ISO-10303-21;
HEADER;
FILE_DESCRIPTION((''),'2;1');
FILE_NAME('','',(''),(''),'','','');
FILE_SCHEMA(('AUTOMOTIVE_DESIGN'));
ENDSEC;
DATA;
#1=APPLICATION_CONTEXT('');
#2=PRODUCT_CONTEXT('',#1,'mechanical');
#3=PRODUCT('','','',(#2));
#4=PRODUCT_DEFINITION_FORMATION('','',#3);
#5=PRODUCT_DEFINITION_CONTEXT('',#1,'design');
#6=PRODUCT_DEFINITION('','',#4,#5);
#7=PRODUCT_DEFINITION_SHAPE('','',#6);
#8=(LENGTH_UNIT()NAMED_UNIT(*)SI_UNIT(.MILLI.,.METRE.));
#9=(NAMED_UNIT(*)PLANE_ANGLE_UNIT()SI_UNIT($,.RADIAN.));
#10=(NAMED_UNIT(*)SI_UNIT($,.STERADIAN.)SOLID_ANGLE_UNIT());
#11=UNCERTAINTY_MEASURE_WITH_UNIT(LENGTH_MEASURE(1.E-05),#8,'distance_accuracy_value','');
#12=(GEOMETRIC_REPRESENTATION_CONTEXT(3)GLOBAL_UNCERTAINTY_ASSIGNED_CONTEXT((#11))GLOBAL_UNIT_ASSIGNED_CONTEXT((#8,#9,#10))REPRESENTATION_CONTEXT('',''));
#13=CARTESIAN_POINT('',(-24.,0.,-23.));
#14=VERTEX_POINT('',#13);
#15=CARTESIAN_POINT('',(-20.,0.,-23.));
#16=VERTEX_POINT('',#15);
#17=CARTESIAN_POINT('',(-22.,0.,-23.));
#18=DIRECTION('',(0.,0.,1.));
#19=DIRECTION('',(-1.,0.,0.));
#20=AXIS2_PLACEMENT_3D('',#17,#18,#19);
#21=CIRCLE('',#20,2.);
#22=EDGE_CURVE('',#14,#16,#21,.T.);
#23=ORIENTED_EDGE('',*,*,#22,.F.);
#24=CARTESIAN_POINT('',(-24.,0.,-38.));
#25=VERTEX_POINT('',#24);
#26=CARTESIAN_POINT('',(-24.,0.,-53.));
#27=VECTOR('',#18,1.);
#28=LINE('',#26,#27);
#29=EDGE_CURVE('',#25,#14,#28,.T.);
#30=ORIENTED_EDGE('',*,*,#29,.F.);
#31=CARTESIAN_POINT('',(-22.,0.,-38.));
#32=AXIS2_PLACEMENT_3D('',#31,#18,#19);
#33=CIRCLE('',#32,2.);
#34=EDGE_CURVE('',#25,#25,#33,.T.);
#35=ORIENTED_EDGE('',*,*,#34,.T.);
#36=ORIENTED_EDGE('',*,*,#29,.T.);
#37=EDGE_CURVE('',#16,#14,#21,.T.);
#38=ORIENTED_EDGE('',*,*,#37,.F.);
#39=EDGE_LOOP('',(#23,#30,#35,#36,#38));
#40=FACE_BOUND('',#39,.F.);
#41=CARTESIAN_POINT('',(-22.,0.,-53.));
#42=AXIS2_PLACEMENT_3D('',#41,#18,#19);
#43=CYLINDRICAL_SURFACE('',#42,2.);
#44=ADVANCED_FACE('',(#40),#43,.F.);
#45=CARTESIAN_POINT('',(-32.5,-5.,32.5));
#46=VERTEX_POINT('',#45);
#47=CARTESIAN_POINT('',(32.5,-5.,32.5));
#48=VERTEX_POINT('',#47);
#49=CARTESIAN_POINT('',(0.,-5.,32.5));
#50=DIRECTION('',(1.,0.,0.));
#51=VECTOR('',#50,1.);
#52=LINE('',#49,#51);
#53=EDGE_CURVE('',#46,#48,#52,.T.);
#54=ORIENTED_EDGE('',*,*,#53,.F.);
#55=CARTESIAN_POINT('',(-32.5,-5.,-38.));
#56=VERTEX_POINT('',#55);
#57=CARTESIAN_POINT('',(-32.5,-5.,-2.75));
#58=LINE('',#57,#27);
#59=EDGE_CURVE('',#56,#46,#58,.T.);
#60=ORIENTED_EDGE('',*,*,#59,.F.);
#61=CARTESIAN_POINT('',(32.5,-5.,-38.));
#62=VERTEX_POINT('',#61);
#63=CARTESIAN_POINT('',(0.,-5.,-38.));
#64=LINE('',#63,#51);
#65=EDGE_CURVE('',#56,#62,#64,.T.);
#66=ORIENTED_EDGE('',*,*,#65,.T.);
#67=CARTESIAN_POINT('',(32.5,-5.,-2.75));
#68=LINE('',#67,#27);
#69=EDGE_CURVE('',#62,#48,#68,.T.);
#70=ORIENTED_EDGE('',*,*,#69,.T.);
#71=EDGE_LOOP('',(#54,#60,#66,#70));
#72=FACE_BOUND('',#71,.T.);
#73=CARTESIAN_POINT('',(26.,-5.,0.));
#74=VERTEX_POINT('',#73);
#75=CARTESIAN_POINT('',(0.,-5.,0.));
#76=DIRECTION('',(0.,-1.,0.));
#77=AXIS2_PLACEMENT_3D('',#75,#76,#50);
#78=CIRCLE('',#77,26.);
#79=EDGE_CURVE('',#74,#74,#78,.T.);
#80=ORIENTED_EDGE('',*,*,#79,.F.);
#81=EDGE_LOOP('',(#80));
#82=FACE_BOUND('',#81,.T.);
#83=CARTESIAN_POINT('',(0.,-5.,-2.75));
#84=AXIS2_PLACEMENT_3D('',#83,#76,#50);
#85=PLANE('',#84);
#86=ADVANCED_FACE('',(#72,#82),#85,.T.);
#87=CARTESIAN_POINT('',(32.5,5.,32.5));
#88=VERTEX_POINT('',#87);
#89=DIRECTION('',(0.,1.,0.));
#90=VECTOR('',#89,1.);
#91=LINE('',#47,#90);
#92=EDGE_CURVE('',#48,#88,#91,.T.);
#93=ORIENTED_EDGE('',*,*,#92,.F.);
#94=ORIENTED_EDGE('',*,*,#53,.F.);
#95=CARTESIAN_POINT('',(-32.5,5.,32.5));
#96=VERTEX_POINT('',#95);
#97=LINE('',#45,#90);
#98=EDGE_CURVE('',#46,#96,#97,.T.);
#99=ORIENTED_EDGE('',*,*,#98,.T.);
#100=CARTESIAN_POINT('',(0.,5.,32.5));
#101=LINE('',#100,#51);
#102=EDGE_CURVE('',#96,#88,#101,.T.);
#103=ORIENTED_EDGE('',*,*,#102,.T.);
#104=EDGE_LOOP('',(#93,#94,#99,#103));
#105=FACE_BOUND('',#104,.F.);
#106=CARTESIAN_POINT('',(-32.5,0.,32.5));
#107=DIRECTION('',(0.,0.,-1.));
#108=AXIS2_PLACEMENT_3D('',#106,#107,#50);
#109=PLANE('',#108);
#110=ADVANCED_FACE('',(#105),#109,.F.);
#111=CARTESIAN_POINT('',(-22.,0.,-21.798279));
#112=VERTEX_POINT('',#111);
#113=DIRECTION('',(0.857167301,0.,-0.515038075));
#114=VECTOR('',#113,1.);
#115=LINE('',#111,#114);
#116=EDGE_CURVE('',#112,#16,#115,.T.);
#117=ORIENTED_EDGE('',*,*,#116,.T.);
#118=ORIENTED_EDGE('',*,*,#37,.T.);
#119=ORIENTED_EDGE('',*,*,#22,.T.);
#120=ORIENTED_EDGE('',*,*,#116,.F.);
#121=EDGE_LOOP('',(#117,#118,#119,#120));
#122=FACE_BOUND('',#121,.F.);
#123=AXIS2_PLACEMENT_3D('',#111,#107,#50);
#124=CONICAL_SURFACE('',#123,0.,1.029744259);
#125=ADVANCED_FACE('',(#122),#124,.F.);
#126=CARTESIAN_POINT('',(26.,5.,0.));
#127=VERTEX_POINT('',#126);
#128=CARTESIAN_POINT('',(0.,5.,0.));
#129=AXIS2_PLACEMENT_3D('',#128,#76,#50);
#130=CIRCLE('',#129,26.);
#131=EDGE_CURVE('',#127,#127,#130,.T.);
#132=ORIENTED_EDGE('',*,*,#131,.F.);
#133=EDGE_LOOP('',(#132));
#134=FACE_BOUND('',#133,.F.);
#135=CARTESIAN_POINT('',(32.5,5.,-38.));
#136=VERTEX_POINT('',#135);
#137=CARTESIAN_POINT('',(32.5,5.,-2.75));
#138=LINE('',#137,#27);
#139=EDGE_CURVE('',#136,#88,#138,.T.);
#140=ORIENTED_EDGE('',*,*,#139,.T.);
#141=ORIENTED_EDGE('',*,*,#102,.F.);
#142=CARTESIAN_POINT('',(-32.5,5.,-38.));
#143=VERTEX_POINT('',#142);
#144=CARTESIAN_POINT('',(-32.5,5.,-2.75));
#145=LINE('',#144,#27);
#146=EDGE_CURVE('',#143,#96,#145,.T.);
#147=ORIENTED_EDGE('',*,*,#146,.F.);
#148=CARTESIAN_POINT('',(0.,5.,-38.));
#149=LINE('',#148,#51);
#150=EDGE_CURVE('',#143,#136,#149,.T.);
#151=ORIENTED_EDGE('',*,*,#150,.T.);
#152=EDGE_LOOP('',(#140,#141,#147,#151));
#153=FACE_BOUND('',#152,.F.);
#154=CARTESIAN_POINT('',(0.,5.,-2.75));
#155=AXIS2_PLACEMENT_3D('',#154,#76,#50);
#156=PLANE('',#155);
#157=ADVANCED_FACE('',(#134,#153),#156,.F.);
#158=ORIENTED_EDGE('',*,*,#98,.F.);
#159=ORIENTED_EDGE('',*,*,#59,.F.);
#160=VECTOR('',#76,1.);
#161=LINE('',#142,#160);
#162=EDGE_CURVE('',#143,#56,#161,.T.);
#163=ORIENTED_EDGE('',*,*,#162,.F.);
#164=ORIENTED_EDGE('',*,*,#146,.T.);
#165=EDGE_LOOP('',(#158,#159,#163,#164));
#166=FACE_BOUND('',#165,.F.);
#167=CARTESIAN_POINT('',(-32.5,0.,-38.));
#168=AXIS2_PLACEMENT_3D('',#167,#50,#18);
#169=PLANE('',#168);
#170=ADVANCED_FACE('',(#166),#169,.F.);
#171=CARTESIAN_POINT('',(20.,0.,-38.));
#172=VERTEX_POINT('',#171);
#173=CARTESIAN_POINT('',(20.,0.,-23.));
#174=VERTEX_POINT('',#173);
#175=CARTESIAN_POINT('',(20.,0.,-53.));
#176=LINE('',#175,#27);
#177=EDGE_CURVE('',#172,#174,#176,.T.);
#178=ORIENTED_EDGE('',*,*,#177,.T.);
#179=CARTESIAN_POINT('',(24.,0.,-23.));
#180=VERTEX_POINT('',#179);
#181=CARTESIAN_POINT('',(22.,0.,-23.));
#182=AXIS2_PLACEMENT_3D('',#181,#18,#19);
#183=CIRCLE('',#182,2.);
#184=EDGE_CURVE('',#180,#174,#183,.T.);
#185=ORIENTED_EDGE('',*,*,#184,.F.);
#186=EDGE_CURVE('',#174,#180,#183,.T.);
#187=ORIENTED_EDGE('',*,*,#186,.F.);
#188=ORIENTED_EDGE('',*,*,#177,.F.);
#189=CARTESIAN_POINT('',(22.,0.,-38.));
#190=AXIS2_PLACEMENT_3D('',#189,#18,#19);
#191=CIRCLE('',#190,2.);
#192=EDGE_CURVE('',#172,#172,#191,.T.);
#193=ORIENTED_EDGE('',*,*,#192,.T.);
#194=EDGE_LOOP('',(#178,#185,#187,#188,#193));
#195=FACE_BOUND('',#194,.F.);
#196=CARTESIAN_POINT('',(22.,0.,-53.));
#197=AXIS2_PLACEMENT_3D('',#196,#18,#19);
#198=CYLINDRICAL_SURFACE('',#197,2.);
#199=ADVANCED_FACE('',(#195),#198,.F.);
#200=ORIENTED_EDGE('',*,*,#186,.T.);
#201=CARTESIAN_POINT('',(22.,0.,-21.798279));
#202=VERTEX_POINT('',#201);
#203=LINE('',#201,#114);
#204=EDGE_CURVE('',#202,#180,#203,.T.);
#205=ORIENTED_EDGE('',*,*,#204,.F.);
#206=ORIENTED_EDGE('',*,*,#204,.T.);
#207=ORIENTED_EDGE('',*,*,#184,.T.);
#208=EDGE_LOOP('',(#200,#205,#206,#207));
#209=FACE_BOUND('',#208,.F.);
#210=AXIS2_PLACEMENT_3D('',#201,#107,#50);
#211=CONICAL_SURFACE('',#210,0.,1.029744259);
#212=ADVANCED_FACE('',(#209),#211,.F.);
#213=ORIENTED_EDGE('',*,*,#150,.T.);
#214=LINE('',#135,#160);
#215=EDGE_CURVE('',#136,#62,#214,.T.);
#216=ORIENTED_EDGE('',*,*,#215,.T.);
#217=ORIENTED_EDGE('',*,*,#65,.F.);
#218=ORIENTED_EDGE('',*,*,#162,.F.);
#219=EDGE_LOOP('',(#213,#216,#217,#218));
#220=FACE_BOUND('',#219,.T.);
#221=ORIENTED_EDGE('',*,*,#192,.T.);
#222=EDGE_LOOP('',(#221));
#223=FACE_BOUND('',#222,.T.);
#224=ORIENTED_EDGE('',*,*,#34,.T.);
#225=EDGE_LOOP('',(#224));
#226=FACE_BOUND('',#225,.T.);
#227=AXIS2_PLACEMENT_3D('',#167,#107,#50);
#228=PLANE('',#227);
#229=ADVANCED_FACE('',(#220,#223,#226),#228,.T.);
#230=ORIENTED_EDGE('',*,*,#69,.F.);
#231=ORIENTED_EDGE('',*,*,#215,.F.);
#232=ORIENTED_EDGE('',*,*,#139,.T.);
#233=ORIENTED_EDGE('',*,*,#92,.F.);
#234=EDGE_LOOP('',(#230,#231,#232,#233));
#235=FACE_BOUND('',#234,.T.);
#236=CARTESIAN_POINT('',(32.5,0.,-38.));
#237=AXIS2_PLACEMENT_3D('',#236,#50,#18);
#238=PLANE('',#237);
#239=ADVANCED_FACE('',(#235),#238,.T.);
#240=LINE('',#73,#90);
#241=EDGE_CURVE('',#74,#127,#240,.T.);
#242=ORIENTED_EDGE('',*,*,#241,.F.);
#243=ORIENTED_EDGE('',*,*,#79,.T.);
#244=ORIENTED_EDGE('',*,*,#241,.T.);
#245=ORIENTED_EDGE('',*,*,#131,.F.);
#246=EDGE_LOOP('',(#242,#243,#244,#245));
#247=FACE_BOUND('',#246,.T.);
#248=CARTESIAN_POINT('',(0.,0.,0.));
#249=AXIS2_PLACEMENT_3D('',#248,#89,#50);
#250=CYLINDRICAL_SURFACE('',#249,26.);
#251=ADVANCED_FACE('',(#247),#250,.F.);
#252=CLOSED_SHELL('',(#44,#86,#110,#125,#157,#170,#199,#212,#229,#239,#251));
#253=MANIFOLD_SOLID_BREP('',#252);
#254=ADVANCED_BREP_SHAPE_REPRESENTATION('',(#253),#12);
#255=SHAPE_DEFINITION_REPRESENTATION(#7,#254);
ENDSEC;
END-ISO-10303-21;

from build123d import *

# Parameters (mm, degrees)
F0_W     = 65
F0_H     = 70.5
F0_R     = 26
F1_DEPTH = 5
F3_D     = 4
F3_DEPTH = 15
F3_TIP   = 1.2017212381


with BuildPart() as f1:
    # F0 (on Front) → F1 (new body, symmetric)
    with BuildSketch(Plane.XZ):
        with Locations((0, -2.75)):
            Rectangle(F0_W, F0_H)
        Circle(F0_R, mode=Mode.SUBTRACT)
    extrude(amount=F1_DEPTH, both=True)

    # F3
    with Locations(Plane(origin=(0, 0, -38), x_dir=(1, 0, 0), z_dir=(0, 0, -1))):
        with Locations((-22, 0), (22, 0)):
            Hole(F3_D / 2, depth=F3_DEPTH)
            with Locations((0, 0, -(F3_DEPTH + F3_TIP / 2))):  # 118° drill point
                Cone(0, F3_D / 2, F3_TIP, mode=Mode.SUBTRACT)


solid = f1.part
